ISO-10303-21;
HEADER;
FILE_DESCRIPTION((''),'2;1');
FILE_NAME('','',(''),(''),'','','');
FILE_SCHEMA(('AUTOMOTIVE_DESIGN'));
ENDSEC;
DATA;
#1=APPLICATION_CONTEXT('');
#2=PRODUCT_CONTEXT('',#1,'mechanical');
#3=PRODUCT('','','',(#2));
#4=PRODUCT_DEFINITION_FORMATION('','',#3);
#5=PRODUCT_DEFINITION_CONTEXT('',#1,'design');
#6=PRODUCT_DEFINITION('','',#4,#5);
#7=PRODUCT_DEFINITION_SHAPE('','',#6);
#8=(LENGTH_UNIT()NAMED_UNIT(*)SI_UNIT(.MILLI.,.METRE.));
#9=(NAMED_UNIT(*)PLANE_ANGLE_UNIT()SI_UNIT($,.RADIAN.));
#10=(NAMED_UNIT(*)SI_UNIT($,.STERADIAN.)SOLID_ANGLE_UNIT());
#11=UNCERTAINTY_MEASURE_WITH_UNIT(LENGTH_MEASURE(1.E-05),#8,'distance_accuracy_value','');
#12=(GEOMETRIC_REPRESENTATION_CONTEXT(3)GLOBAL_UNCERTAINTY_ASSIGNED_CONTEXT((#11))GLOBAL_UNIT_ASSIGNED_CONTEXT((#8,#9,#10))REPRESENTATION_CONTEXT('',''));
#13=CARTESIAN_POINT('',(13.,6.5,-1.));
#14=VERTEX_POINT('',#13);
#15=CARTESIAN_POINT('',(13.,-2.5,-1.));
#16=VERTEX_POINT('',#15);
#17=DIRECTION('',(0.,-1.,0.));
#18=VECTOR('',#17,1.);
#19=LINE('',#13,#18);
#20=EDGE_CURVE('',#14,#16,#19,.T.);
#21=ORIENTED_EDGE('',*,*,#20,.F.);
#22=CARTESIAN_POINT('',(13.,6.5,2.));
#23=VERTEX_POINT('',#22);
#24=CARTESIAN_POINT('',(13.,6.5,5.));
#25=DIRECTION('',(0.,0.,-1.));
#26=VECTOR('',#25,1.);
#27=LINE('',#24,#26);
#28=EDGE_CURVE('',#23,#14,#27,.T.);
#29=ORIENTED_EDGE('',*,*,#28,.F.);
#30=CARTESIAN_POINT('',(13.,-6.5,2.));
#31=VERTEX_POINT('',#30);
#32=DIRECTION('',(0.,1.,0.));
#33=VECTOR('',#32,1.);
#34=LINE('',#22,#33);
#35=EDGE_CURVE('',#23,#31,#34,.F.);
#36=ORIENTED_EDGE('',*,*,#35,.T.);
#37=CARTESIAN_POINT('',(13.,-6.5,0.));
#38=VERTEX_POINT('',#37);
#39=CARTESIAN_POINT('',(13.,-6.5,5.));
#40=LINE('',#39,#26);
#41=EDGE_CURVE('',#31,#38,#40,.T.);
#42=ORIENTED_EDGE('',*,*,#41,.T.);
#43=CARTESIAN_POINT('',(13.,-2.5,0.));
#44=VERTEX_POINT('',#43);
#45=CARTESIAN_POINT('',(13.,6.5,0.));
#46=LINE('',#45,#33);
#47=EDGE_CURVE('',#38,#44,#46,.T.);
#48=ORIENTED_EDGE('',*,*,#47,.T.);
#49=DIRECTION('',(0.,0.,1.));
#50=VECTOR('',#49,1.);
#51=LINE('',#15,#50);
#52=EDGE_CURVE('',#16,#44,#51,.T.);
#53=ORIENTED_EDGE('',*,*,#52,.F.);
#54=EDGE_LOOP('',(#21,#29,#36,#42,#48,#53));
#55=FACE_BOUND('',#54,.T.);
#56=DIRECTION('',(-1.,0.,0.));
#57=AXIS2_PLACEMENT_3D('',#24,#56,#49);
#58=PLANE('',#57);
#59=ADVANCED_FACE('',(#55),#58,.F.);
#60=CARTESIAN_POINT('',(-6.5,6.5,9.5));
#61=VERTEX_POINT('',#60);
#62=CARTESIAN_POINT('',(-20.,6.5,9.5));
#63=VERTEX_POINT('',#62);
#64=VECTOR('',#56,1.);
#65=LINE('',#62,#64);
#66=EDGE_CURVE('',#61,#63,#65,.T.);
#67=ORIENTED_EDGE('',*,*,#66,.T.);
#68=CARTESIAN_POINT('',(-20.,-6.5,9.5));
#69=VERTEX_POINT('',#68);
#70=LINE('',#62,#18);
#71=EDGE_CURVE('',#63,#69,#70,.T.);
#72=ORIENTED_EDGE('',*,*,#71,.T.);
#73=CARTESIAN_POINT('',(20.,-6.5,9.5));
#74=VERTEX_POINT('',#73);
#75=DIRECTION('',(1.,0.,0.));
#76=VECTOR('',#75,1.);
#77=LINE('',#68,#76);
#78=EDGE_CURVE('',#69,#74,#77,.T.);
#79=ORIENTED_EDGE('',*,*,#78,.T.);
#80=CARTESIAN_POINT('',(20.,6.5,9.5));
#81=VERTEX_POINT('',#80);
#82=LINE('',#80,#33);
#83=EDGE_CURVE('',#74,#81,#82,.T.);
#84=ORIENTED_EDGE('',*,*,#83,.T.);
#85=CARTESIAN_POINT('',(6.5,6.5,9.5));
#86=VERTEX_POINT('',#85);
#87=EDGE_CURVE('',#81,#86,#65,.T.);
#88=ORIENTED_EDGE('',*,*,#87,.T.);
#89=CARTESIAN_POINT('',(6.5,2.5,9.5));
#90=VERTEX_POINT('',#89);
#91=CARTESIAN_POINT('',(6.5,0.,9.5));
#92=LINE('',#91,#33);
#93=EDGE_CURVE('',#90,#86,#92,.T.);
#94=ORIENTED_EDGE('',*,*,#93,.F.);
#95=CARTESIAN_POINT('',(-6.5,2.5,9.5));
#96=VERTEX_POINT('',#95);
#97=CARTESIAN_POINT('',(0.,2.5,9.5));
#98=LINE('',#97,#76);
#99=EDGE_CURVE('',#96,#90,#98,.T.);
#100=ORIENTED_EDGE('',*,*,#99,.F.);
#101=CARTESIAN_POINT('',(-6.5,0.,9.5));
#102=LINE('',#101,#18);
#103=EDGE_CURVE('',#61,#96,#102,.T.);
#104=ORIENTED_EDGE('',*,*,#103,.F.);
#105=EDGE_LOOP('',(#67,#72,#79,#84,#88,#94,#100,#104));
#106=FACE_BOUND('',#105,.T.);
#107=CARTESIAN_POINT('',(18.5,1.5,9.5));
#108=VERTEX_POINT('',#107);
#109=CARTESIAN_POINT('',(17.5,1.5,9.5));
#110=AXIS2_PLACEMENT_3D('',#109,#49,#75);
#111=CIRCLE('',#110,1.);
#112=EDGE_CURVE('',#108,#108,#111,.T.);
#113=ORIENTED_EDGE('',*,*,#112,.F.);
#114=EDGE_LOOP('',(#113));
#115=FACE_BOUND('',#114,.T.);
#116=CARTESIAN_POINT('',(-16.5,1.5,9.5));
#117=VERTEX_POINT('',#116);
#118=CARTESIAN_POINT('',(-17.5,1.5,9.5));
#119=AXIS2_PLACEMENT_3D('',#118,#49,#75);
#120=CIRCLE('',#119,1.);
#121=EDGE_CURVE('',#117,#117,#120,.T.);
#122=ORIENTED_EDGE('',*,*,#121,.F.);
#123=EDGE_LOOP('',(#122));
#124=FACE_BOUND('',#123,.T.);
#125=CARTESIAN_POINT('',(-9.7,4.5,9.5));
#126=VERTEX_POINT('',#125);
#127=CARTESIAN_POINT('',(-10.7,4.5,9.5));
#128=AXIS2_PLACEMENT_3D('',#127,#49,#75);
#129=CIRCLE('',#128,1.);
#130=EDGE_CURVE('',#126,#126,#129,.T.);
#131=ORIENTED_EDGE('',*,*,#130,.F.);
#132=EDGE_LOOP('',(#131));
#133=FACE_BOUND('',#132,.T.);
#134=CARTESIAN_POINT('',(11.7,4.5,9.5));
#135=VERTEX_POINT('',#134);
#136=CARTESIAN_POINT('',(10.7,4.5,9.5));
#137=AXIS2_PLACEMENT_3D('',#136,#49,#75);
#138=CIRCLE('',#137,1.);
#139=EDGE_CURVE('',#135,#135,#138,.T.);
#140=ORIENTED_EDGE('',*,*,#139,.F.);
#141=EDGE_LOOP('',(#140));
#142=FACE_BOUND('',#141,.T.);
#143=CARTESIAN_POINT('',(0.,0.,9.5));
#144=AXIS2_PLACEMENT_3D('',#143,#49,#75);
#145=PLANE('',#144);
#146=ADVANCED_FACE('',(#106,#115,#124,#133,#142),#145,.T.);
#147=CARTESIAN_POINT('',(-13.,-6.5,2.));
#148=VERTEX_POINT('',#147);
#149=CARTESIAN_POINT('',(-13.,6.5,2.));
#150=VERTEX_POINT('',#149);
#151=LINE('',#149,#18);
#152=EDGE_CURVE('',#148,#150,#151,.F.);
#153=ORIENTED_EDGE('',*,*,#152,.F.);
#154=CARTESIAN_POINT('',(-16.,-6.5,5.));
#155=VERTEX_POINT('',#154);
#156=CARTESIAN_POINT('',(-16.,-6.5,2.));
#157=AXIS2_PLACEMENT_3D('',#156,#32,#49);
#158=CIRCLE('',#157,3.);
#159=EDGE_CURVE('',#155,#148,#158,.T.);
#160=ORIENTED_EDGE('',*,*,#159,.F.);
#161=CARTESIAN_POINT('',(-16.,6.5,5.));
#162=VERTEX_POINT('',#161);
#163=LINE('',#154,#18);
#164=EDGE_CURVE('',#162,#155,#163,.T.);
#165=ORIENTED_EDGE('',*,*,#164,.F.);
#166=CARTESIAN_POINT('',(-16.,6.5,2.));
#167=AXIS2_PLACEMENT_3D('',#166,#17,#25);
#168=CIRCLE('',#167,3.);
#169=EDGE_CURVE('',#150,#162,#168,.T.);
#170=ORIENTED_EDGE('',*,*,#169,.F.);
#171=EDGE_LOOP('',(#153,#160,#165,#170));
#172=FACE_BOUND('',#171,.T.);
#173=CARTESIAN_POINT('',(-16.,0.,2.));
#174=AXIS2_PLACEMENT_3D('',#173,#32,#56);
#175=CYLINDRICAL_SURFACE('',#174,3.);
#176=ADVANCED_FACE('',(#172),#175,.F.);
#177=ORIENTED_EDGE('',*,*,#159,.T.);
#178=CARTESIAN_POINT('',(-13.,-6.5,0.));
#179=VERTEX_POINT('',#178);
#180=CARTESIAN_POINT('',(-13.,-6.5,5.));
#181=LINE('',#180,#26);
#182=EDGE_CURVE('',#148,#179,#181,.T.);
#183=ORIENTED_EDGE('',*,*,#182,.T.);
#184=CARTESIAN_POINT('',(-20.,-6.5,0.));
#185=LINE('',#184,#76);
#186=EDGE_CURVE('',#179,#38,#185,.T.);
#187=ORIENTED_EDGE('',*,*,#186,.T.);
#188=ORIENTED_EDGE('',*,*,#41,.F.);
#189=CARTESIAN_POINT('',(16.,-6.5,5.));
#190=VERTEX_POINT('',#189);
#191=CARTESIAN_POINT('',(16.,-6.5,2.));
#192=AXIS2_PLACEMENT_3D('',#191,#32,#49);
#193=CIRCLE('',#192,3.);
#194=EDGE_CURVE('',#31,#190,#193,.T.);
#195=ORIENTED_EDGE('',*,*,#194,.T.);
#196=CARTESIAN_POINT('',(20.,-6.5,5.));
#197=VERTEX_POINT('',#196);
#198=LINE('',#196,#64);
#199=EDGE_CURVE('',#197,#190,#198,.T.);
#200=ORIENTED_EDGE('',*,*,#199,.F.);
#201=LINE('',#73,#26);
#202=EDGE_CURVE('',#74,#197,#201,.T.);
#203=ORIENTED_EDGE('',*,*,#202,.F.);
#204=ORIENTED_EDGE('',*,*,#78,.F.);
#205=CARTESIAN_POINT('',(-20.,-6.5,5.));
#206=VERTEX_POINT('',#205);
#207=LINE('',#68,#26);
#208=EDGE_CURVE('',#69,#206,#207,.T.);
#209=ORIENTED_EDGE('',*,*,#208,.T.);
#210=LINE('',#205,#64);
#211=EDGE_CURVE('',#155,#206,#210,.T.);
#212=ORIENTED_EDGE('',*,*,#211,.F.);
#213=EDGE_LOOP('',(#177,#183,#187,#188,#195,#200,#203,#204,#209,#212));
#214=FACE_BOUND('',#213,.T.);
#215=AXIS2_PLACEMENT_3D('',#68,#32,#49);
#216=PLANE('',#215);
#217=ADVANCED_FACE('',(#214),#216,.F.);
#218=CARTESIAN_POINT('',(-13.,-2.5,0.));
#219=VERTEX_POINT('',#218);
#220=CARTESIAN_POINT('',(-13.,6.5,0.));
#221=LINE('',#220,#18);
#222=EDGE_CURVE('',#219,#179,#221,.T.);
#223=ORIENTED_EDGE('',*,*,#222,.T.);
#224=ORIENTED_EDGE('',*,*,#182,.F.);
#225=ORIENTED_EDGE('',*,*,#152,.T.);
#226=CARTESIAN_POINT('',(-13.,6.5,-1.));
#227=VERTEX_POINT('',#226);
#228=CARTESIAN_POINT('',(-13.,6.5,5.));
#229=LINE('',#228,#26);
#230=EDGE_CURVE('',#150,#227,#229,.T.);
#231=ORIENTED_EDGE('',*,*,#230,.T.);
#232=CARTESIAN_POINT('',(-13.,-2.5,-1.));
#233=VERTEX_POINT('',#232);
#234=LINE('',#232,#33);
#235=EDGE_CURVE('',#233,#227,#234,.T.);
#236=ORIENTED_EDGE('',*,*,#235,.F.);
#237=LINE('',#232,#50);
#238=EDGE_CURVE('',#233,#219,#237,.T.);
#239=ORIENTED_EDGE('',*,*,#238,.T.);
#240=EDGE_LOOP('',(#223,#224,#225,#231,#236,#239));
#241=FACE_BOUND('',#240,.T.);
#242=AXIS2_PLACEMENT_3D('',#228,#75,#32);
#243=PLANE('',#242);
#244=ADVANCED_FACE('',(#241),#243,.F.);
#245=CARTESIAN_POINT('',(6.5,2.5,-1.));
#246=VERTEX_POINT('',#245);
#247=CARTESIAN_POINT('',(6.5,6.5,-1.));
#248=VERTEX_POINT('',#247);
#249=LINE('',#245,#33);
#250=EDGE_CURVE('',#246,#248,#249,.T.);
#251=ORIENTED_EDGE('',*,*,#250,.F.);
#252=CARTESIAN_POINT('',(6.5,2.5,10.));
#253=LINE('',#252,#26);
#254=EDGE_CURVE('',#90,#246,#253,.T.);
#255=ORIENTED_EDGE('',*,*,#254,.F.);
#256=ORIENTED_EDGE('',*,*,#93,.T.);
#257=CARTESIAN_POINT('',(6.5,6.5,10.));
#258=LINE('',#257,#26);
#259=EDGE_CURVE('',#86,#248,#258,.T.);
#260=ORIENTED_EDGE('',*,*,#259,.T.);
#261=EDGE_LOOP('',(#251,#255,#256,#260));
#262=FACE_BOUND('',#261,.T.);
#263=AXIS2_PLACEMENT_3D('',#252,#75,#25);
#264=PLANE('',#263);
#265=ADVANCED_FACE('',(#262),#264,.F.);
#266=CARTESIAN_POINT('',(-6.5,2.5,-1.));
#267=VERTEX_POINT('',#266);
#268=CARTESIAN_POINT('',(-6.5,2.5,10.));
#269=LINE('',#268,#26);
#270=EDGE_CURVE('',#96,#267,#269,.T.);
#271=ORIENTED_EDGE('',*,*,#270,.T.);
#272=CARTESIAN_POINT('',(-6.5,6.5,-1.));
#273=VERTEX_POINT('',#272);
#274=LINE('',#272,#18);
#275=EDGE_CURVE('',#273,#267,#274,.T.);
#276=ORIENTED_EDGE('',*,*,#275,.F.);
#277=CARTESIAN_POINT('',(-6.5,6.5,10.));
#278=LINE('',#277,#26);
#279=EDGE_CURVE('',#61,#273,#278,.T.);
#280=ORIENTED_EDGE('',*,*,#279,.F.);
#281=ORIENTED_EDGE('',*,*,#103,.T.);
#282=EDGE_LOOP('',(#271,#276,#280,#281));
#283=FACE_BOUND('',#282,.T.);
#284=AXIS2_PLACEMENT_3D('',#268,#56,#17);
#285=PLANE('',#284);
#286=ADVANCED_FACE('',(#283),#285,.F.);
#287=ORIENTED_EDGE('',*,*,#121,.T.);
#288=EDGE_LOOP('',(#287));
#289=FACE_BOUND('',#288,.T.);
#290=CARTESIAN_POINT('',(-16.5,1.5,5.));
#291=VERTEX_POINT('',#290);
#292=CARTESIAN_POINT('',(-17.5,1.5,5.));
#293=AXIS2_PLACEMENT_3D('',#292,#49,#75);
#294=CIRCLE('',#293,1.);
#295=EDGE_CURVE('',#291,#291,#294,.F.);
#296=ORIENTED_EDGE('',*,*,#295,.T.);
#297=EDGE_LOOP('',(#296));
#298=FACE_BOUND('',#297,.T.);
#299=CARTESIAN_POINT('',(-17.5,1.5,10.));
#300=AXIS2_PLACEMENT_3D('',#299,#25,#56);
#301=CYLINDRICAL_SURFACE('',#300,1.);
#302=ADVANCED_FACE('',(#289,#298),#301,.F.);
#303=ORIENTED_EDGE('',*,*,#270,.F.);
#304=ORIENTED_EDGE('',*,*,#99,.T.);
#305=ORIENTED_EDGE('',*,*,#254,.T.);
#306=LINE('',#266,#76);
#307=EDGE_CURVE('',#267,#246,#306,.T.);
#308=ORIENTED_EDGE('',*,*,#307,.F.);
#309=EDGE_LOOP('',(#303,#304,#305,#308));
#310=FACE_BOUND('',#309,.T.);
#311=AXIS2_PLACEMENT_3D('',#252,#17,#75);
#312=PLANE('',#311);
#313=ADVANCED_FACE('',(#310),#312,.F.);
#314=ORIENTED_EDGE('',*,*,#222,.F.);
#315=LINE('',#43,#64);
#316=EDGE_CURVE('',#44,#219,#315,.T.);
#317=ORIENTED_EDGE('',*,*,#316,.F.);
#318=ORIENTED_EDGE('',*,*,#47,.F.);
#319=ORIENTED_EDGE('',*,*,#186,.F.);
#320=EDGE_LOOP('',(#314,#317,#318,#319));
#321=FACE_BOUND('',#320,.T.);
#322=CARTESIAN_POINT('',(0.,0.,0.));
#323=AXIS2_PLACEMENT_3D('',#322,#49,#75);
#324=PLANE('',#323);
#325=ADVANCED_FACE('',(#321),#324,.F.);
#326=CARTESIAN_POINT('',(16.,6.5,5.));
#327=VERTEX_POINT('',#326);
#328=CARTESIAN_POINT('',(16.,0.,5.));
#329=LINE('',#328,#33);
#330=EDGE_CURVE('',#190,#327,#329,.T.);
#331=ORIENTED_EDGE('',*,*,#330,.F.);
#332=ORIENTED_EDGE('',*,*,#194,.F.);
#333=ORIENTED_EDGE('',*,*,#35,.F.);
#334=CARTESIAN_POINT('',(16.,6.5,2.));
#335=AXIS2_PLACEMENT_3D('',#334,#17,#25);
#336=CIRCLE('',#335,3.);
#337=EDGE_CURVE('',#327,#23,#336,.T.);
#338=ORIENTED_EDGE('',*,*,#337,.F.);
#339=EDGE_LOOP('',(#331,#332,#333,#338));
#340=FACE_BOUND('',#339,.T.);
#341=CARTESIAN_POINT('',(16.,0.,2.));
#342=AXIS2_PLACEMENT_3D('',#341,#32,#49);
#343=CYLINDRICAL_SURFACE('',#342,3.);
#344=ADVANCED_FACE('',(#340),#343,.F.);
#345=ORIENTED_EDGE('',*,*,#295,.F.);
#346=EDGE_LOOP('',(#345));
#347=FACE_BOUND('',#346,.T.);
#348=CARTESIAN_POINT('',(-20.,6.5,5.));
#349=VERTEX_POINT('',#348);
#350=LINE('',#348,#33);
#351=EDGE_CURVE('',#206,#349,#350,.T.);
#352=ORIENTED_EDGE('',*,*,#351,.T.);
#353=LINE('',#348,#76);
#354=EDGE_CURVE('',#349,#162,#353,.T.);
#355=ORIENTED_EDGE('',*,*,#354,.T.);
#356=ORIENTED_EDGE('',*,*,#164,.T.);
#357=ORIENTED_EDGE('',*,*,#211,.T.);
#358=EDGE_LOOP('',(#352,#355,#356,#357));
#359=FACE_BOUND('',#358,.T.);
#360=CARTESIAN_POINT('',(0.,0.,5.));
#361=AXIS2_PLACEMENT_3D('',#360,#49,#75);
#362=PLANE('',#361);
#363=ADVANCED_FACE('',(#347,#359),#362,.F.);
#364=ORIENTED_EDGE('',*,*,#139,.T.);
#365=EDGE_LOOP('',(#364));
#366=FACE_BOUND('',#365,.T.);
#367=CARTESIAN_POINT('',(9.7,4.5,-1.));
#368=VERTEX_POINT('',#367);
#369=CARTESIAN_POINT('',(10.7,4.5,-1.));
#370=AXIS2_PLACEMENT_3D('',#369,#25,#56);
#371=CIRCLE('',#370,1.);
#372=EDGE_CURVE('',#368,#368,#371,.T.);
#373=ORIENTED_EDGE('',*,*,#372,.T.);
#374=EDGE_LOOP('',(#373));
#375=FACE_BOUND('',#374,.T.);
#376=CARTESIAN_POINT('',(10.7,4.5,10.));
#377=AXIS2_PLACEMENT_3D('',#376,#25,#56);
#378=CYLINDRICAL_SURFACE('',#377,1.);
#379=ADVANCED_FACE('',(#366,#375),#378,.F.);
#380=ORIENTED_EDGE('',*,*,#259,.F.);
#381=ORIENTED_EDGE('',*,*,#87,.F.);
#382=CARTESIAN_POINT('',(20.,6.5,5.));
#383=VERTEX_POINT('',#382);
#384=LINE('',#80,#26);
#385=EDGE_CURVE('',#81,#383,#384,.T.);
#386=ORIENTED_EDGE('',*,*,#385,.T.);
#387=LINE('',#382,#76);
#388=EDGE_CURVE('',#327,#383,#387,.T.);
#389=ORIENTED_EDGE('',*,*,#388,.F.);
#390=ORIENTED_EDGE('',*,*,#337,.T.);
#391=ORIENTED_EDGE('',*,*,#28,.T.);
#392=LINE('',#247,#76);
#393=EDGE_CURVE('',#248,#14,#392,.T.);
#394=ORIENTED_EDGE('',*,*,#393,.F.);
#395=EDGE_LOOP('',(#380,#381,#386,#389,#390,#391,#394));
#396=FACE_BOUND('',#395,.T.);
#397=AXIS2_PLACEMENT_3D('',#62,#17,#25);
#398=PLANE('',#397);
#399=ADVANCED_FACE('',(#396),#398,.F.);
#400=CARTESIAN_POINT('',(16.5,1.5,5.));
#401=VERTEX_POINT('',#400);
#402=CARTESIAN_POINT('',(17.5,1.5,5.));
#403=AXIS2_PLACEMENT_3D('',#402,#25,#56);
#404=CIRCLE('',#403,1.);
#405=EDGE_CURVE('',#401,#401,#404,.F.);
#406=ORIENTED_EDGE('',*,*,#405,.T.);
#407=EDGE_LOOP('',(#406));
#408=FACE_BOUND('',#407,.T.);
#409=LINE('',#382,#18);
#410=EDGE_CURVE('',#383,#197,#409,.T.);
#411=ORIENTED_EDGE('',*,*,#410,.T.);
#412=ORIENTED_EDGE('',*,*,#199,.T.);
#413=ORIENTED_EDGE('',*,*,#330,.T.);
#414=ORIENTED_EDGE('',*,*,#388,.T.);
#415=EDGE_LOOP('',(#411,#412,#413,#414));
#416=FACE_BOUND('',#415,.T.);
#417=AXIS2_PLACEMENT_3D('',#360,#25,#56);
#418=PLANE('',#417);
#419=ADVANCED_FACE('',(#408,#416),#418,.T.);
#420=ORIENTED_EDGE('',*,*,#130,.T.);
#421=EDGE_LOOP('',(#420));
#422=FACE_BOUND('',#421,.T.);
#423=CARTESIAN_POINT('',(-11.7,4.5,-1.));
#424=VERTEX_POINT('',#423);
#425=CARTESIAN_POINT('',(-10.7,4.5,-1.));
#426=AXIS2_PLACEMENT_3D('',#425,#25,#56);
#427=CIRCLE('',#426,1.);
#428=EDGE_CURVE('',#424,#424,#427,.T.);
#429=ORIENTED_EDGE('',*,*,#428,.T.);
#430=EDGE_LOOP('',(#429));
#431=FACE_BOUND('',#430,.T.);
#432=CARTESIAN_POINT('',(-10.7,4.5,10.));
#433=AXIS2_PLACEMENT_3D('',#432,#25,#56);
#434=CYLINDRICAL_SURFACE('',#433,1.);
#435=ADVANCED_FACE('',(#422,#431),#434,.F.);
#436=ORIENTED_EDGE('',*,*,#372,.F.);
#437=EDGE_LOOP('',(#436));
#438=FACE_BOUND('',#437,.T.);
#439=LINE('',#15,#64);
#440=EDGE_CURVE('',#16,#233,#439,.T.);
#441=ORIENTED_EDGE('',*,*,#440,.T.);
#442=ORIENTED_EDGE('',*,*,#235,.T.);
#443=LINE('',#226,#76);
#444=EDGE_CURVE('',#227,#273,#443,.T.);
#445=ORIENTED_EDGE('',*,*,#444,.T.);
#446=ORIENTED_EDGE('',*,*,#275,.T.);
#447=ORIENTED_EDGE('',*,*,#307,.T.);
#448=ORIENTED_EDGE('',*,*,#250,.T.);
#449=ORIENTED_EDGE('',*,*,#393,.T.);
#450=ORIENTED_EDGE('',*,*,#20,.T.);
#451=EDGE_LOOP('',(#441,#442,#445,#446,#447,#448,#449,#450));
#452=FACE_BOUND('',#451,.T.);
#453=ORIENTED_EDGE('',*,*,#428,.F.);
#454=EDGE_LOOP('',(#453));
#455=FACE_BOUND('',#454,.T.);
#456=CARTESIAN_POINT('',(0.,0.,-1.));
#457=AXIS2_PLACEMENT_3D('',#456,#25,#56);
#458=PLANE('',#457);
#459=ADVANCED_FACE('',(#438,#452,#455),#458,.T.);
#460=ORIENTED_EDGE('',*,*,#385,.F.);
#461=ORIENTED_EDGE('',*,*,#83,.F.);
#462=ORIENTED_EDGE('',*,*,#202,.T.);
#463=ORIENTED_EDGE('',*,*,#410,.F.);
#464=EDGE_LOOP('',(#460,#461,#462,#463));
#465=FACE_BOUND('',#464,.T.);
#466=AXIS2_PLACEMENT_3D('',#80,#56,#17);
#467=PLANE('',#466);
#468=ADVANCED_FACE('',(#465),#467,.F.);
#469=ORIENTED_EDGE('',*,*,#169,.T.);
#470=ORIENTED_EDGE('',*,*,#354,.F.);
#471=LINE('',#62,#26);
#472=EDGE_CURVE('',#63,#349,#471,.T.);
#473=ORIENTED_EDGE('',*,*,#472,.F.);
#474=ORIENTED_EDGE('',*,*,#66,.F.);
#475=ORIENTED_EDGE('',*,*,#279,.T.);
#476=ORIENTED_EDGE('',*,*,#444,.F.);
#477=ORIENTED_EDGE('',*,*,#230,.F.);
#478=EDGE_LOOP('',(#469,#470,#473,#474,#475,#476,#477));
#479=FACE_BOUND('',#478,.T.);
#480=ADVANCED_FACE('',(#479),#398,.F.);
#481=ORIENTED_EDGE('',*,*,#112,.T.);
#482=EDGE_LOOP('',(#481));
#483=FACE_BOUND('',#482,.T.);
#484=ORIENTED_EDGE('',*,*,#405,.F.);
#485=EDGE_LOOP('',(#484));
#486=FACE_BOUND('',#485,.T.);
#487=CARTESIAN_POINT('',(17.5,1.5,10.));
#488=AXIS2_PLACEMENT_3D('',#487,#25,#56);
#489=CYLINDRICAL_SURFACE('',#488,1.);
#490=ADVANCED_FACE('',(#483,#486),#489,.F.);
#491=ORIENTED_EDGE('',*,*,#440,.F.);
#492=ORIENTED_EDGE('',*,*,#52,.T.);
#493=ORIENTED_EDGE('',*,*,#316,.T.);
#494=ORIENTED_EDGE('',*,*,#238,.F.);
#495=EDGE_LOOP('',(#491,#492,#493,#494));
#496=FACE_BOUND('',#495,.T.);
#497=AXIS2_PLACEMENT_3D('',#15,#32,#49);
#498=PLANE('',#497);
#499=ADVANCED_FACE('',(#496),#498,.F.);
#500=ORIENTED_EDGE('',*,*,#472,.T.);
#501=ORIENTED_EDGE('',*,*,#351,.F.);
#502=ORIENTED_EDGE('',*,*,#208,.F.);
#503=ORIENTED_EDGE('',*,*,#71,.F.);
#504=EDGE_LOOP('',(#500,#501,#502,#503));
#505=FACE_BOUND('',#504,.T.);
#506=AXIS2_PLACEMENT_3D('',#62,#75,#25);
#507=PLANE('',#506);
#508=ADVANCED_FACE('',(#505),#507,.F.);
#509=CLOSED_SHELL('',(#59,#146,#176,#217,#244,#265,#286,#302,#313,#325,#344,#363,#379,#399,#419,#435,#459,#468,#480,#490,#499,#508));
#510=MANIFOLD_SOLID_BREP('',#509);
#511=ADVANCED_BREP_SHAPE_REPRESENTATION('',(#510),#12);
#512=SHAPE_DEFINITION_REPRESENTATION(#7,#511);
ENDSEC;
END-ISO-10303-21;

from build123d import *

# Parameters (mm, degrees)
SKETCH_2_W          = 40
SKETCH_2_H          = 13
EXTRUDE_1_DEPTH     = 9.5
SKETCH_3_R          = 1
CUT_EXTRUDE_1_DEPTH = 10
SKETCH_4_R          = 1
SKETCH_4_W          = 13
SKETCH_4_H          = 4
CUT_EXTRUDE_2_DEPTH = 10
SKETCH_5_W          = 7
SKETCH_5_H          = 13
CUT_EXTRUDE_3_DEPTH = 5
FILLET_1_R          = 3
EXTRUDE_START       = 1
SKETCH_6_R          = 1
EXTRUDE_2_DEPTH     = 1


with BuildPart() as part:
    # 草图2 → 凸台-拉伸1 (new body)
    with BuildSketch(Plane.XY):
        Rectangle(SKETCH_2_W, SKETCH_2_H)
    extrude(amount=EXTRUDE_1_DEPTH)

    # 草图3 → 切除-拉伸1 (cut)
    with BuildSketch(Plane(origin=(0, 0, 0), x_dir=(-1, 0, 0), z_dir=(0, 0, -1))):
        with Locations((-17.5, 1.5)):
            Circle(SKETCH_3_R)
        with Locations(Location((17.5, 1.5, 0), (0, 0, 180))):
            Circle(SKETCH_3_R)
    extrude(amount=-CUT_EXTRUDE_1_DEPTH, mode=Mode.SUBTRACT)

    # 草图4 → 切除-拉伸2 (cut)
    with BuildSketch(Plane(origin=(0, 0, 0), x_dir=(-1, 0, 0), z_dir=(0, 0, -1))):
        with Locations((-10.7, 4.5)):
            Circle(SKETCH_4_R)
        with Locations(Location((10.7, 4.5, 0), (0, 0, 180))):
            Circle(SKETCH_4_R)
        with Locations((0, 4.5)):
            Rectangle(SKETCH_4_W, SKETCH_4_H)
    extrude(amount=-CUT_EXTRUDE_2_DEPTH, mode=Mode.SUBTRACT)

    # 草图5 → 切除-拉伸3 (cut)
    with BuildSketch(Plane(origin=(0, 0, 0), x_dir=(-1, 0, 0), z_dir=(0, 0, -1))):
        with Locations((-16.5, 0)):
            Rectangle(SKETCH_5_W, SKETCH_5_H)
        with Locations((16.5, 0)):
            Rectangle(SKETCH_5_W, SKETCH_5_H)
    extrude(amount=-CUT_EXTRUDE_3_DEPTH, mode=Mode.SUBTRACT)

    # 圆角1
    fillet_1_edges = [part.edges().sort_by_distance(p)[0] for p in [
        (13, 0, 5),
        (-13, 0, 5),
    ]]
    fillet(fillet_1_edges, radius=FILLET_1_R)

    # 草图6 → 凸台-拉伸2 (add)
    with BuildSketch(Plane(origin=(0, 0, 0), x_dir=(-1, 0, 0), z_dir=(0, 0, -1)).offset(EXTRUDE_START)):
        Polygon((-13, -2.5), (13, -2.5), (13, 6.5), (6.5, 6.5), (6.5, 2.5), (-6.5, 2.5), (-6.5, 6.5), (-13, 6.5), align=None)
        with Locations((-10.7, 4.5)):
            Circle(SKETCH_6_R, mode=Mode.SUBTRACT)
        with Locations((10.7, 4.5)):
            Circle(SKETCH_6_R, mode=Mode.SUBTRACT)
    extrude(amount=-EXTRUDE_2_DEPTH)


solid = part.part
